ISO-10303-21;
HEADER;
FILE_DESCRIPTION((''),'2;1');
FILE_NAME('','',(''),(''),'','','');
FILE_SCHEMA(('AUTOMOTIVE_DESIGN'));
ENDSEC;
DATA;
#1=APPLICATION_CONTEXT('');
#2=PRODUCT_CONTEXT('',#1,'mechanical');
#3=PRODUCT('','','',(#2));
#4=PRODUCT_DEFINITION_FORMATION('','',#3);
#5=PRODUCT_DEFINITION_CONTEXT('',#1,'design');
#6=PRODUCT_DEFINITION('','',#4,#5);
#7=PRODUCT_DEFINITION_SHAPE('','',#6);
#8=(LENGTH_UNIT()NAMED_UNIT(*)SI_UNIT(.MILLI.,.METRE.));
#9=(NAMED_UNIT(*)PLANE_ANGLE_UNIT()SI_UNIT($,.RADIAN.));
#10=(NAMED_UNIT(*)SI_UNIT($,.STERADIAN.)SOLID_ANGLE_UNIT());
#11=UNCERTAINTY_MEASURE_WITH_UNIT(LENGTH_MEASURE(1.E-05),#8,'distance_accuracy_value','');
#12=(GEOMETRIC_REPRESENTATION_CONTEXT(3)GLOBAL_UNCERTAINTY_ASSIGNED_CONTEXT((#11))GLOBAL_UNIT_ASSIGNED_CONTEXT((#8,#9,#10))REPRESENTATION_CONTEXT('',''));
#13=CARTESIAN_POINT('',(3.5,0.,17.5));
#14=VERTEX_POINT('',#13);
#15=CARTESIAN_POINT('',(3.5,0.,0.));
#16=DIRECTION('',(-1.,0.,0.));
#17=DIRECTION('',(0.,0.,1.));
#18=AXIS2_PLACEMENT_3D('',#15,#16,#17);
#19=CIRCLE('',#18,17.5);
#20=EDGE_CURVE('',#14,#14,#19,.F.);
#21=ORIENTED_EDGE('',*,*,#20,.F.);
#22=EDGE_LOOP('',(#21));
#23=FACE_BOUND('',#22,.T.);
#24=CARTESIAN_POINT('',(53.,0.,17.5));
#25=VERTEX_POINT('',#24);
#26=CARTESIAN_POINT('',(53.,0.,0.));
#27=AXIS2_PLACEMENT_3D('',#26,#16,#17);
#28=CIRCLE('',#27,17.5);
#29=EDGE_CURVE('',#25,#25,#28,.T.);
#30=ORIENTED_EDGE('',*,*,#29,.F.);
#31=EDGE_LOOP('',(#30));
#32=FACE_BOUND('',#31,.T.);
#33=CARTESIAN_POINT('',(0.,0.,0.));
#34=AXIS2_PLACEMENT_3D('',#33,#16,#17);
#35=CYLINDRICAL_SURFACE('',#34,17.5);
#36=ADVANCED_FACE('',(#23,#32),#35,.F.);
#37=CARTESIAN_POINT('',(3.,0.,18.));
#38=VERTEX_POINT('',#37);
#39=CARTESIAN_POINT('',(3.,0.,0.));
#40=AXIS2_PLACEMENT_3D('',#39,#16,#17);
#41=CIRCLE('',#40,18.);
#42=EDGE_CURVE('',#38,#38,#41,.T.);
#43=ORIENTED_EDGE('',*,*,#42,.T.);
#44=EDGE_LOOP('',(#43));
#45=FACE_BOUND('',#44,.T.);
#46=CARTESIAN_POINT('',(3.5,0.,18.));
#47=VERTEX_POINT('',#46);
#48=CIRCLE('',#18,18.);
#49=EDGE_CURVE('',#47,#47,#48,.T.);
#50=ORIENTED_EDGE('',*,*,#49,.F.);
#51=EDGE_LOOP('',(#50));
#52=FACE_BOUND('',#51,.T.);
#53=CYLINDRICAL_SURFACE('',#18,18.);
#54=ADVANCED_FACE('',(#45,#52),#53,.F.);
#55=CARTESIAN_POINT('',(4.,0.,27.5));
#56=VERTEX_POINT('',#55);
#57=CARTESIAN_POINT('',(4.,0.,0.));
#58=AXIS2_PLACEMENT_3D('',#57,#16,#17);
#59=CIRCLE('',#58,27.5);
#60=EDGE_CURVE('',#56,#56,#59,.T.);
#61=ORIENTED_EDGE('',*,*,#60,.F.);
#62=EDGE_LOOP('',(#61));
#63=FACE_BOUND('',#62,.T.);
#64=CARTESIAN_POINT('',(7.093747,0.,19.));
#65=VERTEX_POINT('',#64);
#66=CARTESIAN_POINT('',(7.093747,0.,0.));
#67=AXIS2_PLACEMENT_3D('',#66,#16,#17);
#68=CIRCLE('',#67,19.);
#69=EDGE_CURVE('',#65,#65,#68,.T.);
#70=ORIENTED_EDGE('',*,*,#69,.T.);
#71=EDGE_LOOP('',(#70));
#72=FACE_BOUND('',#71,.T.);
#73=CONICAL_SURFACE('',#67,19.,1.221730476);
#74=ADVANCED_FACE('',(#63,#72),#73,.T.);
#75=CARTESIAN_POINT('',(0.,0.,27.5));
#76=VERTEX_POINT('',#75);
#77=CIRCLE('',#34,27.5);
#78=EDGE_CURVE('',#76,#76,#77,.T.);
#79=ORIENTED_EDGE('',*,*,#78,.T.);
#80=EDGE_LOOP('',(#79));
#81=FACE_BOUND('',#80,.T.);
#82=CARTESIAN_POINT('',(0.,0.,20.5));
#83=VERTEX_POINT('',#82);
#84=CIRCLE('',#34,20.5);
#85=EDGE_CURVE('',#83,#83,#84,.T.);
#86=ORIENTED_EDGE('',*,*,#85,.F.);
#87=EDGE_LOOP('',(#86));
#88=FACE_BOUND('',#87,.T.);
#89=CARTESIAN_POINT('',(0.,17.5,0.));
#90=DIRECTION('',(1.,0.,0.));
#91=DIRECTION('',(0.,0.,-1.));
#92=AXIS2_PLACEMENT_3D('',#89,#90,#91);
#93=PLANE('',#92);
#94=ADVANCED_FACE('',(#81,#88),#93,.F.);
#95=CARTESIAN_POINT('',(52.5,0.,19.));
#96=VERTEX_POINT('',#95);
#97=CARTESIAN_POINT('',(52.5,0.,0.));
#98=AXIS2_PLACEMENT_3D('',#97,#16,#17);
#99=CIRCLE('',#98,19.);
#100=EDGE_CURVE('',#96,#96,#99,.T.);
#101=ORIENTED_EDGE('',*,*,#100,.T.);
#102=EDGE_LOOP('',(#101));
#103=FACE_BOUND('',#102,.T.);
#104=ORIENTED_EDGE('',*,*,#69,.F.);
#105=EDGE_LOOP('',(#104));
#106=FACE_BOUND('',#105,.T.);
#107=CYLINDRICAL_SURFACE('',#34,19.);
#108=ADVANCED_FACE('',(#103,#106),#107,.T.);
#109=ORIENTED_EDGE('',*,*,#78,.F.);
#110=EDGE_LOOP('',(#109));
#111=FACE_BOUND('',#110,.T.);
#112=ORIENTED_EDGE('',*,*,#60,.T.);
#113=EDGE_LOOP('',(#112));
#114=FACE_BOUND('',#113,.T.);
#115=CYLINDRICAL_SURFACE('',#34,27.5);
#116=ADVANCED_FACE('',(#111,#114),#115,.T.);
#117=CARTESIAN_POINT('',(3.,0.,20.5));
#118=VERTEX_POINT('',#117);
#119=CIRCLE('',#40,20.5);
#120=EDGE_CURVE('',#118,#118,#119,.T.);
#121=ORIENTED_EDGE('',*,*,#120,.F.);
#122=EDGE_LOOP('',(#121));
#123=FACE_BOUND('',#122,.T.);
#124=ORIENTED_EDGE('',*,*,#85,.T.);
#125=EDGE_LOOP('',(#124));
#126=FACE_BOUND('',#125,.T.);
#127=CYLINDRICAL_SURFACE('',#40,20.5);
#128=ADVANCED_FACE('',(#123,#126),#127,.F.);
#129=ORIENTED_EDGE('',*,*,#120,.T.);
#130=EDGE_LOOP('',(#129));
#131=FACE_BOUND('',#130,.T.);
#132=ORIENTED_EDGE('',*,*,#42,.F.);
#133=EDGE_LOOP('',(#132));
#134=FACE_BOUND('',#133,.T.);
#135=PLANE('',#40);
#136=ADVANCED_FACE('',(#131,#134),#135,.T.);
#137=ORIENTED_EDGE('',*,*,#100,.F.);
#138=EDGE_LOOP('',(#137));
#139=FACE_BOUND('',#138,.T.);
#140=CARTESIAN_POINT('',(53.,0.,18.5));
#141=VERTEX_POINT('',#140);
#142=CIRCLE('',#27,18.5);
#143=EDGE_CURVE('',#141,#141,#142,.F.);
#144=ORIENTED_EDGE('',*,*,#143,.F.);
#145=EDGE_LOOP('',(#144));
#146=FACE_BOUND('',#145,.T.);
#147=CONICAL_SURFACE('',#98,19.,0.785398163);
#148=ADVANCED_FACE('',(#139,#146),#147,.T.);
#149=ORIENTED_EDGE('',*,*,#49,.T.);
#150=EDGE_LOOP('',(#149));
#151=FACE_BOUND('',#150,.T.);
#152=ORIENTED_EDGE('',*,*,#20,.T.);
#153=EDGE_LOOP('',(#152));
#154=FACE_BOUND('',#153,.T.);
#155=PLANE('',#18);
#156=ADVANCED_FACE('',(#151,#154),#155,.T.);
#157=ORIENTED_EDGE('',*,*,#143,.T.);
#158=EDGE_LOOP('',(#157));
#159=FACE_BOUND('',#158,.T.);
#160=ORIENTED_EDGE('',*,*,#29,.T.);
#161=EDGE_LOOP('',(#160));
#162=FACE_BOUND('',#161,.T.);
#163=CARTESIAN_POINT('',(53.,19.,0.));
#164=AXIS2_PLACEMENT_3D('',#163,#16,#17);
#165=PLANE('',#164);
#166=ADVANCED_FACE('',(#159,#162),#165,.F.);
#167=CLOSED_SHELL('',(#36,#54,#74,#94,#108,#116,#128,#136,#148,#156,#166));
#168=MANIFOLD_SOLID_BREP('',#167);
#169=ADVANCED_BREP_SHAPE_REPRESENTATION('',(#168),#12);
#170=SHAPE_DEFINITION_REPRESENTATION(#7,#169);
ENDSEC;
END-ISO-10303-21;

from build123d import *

# Parameters (mm, degrees)
SKETCH_2_R          = 20.5
CUT_EXTRUDE_1_DEPTH = 3
SKETCH_3_R          = 18
CUT_EXTRUDE_2_DEPTH = 0.5
CHAMFER_1_SIZE      = 0.5


with BuildPart() as part:
    # 스케치1 → 회전1 (revolve)
    with BuildSketch(Plane.XY, mode=Mode.PRIVATE) as revolve_1_sk:
        Polygon((0, 17.5), (0, 27.5), (4, 27.5), (7.093746991, 19), (53, 19), (53, 17.5), align=None)
    revolve(revolve_1_sk.sketch.rotate(Axis((0, 0, 0), (1, 0, 0)), 90), axis=Axis((0, 0, 0), (1, 0, 0)))

    # 스케치2 → 컷-돌출1 (cut)
    with BuildSketch(Plane.ZY):
        Circle(SKETCH_2_R)
    extrude(amount=-CUT_EXTRUDE_1_DEPTH, mode=Mode.SUBTRACT)

    # 스케치3 → 컷-돌출2 (cut)
    with BuildSketch(Plane.ZY.offset(-3)):
        Circle(SKETCH_3_R)
    extrude(amount=-CUT_EXTRUDE_2_DEPTH, mode=Mode.SUBTRACT)

    # 모따기1
    chamfer_1_edges = [part.edges().sort_by_distance(p)[0] for p in [
        (53, 0, -19),
    ]]
    chamfer(chamfer_1_edges, length=CHAMFER_1_SIZE)


solid = part.part
